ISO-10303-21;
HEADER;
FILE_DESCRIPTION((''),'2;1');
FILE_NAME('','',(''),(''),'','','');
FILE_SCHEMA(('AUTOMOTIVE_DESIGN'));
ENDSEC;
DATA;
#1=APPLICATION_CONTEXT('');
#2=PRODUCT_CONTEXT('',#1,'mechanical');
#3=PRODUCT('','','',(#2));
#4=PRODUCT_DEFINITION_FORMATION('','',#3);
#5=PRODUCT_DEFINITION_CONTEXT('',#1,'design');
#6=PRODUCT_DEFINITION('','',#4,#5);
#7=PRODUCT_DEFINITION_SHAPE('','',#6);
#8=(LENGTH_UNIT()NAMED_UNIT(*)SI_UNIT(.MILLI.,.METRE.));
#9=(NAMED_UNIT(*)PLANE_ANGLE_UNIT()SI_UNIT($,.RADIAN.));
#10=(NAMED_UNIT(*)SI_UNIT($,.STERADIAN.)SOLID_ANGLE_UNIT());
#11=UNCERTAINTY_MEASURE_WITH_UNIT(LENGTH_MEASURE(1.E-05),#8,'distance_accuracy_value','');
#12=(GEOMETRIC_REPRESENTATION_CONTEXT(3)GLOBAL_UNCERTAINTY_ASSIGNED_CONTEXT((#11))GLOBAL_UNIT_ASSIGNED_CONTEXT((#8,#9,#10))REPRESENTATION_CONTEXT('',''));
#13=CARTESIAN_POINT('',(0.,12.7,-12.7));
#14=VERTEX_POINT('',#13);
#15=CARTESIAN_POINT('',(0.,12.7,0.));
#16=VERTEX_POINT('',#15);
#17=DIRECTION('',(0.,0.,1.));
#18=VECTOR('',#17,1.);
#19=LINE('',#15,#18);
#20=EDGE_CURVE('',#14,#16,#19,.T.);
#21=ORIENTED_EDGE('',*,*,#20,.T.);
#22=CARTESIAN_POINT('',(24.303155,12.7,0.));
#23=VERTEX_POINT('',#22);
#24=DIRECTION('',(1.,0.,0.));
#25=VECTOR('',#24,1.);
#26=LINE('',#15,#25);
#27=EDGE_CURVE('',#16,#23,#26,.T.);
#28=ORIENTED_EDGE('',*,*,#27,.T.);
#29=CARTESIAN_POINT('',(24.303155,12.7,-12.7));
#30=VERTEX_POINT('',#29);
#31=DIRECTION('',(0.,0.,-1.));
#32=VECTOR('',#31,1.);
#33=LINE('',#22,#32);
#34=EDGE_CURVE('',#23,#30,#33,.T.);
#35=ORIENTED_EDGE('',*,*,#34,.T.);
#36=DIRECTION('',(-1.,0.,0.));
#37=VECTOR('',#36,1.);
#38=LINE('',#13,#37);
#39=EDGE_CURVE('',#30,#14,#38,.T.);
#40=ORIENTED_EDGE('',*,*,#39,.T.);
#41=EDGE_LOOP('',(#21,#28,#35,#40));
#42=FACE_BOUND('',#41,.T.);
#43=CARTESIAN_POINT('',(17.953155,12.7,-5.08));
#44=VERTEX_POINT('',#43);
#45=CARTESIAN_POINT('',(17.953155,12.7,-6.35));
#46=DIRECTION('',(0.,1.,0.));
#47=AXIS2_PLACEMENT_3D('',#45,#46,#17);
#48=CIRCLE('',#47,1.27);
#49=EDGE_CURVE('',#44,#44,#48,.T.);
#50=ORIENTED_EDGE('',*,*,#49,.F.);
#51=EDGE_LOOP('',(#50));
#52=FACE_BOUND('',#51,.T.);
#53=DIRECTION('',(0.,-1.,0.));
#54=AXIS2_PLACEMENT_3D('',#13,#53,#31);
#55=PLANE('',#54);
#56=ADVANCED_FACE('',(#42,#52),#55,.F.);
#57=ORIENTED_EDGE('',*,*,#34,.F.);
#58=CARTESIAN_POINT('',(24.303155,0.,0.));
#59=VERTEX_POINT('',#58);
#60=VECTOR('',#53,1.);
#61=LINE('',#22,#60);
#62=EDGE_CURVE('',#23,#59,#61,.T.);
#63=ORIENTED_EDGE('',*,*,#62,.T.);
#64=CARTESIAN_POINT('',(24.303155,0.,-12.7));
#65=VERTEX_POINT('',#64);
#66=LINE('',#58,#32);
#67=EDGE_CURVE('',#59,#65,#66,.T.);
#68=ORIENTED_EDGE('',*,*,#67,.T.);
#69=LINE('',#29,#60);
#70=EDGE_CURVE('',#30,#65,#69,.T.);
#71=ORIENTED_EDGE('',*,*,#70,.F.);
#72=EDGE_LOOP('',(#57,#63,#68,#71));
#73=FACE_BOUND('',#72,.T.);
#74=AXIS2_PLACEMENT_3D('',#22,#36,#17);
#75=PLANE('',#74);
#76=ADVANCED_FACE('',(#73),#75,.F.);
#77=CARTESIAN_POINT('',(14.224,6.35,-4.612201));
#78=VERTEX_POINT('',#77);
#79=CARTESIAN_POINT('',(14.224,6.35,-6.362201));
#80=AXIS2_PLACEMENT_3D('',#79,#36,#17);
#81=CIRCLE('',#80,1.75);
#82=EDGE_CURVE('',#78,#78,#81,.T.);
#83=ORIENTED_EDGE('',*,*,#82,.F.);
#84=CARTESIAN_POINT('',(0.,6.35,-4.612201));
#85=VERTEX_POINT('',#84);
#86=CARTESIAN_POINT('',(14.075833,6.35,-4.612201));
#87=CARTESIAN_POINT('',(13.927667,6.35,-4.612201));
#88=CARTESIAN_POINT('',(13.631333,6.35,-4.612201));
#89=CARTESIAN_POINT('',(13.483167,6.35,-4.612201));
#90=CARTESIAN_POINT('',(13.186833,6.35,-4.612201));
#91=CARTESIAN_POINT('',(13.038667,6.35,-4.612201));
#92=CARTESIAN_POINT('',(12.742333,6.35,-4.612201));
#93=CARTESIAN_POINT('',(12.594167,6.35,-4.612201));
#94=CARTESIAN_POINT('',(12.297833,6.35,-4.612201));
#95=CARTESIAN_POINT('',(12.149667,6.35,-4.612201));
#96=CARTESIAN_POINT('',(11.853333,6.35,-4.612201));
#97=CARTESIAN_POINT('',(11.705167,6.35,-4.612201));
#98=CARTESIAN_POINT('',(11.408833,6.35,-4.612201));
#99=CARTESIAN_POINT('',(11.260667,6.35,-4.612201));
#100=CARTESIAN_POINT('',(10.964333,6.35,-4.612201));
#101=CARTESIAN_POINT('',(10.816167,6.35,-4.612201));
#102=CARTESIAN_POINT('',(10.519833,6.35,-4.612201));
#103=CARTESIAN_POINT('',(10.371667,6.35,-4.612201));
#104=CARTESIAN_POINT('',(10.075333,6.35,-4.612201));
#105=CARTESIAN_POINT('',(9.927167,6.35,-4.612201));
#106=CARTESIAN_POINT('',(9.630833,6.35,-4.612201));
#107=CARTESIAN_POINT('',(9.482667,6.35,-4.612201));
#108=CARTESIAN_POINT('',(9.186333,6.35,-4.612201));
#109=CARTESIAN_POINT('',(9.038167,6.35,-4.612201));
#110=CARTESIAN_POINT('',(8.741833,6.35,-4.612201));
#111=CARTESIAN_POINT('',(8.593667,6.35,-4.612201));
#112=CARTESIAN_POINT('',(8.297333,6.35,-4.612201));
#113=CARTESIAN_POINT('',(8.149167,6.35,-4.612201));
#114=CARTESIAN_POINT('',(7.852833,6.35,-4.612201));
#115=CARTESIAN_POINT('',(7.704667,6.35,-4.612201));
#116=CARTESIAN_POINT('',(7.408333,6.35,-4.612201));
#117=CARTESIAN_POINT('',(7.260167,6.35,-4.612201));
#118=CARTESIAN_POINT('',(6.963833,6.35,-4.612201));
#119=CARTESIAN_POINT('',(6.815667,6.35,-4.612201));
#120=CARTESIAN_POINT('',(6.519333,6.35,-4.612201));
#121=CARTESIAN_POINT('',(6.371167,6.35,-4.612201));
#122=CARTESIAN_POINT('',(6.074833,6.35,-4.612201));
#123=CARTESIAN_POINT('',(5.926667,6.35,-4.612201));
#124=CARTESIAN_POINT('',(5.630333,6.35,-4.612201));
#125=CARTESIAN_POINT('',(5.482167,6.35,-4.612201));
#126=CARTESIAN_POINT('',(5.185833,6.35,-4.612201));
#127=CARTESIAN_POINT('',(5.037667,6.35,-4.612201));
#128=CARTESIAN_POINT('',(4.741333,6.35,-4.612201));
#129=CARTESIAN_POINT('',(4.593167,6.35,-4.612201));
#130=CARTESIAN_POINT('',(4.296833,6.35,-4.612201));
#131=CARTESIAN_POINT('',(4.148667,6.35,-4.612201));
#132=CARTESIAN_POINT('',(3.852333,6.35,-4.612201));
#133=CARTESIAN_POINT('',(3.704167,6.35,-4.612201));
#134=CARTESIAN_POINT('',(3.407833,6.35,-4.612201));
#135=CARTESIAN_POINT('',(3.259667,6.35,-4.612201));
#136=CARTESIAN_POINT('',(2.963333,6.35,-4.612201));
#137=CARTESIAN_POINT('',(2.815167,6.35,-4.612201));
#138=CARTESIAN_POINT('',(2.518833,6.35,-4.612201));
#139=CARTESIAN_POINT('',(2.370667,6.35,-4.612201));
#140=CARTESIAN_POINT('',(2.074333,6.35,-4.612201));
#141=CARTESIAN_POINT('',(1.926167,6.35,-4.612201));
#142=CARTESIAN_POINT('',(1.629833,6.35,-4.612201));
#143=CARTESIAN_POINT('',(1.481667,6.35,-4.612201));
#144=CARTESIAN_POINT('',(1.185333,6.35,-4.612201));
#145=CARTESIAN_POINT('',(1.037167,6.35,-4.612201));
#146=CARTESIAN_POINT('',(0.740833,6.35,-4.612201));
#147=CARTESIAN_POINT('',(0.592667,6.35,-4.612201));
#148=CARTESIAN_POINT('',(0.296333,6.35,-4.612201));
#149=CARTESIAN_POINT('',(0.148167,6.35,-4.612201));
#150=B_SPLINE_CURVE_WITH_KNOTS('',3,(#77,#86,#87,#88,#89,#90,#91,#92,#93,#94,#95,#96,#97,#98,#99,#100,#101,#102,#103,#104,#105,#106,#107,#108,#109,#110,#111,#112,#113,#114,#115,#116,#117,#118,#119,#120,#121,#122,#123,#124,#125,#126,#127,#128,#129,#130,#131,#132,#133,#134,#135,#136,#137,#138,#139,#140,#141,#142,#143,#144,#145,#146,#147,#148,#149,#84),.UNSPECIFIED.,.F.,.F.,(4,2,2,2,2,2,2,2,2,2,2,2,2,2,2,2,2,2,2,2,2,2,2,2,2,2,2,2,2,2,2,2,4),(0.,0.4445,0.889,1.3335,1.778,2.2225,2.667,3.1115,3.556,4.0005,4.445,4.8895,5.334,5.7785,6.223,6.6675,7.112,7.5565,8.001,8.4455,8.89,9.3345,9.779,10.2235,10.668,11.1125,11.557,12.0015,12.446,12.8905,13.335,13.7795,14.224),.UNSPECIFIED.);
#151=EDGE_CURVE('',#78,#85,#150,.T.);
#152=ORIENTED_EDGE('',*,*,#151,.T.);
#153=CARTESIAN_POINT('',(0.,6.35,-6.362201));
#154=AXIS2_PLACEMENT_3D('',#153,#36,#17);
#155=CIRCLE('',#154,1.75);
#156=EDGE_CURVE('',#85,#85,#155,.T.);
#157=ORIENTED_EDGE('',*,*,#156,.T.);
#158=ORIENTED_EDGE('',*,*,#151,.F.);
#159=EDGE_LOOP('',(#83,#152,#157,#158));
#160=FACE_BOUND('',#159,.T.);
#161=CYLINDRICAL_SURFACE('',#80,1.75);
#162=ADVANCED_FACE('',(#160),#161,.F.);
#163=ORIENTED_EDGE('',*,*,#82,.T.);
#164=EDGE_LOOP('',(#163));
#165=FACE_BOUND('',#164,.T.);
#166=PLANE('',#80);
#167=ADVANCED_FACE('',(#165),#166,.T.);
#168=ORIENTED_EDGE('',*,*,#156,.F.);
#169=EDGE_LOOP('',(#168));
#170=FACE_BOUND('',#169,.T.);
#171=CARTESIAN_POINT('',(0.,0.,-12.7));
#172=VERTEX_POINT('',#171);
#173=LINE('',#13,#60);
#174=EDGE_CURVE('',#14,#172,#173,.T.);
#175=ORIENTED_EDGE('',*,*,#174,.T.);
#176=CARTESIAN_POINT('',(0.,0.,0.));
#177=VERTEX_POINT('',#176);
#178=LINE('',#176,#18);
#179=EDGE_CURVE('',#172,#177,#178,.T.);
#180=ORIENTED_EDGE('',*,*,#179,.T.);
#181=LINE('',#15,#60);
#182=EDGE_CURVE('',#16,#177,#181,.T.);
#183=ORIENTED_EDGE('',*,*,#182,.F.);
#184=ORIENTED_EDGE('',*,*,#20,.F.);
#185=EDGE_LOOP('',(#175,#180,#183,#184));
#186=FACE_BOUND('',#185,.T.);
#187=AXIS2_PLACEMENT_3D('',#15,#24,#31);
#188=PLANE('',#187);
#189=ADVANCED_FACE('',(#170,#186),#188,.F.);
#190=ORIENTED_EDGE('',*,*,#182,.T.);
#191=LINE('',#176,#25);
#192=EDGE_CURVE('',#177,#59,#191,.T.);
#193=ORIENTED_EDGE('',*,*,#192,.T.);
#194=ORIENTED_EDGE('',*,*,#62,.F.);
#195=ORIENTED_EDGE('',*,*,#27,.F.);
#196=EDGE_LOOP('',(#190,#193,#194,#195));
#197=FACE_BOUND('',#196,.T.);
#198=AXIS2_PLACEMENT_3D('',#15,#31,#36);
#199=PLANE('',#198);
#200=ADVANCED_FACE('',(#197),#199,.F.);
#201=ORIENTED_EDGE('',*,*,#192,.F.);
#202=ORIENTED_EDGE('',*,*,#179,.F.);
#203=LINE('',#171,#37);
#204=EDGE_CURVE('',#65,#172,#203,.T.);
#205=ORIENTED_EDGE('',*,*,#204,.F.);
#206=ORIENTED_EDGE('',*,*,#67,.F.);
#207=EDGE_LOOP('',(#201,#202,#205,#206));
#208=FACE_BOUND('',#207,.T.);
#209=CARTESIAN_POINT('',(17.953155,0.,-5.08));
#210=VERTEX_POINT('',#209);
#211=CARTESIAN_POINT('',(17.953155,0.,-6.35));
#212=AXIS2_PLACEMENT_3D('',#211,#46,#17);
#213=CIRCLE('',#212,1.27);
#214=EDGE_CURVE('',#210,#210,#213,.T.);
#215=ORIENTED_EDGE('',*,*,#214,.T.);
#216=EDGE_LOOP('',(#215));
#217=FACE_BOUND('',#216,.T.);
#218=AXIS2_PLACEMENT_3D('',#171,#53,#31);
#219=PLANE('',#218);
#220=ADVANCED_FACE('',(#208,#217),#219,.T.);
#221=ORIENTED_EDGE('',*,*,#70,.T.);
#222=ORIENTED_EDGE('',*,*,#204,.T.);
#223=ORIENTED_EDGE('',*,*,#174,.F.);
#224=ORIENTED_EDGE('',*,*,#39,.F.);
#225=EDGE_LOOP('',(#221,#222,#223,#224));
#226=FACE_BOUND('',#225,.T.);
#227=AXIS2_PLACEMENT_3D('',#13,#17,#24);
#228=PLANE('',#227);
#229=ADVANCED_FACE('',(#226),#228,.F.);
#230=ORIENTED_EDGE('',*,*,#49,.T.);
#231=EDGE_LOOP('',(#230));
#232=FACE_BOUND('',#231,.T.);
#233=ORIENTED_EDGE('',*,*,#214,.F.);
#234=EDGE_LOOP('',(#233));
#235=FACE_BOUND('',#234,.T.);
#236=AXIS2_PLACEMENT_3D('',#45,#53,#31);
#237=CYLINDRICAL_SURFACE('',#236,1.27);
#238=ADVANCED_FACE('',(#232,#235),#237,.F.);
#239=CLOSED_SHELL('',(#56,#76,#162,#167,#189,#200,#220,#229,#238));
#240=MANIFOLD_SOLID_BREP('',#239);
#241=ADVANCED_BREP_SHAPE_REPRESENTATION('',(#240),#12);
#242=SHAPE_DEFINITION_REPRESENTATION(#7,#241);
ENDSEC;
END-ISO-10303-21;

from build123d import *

# Parameters (mm, degrees)
SKETCH1_W           = 24.303155339
SKETCH1_H           = 12.7
BOSS_EXTRUDE1_DEPTH = 12.7
SKETCH2_R           = 1.75
CUT_EXTRUDE1_DEPTH  = 14.224
SKETCH3_R           = 1.27
CUT_EXTRUDE2_DEPTH  = 31.219585693


with BuildPart() as part:
    # Sketch1 → Boss-Extrude1 (new body)
    with BuildSketch(Plane(origin=(0, 0, 0), x_dir=(1, 0, 0), z_dir=(0, 1, 0))):
        with Locations((12.151577669, 6.35)):
            Rectangle(SKETCH1_W, SKETCH1_H)
    extrude(amount=BOSS_EXTRUDE1_DEPTH)

    # Sketch2 → Cut-Extrude1 (cut)
    with BuildSketch(Plane.ZY):
        with Locations((-6.362201195, 6.35)):
            Circle(SKETCH2_R)
    extrude(amount=-CUT_EXTRUDE1_DEPTH, mode=Mode.SUBTRACT)

    # Sketch3 → Cut-Extrude2 (cut, through all)
    with BuildSketch(Plane(origin=(0, 0, 0), x_dir=(1, 0, 0), z_dir=(0, 1, 0))):
        with Locations(Location((17.953155339, 6.35, 0), (0, 0, 270))):
            Circle(SKETCH3_R)
    extrude(amount=CUT_EXTRUDE2_DEPTH, mode=Mode.SUBTRACT)


solid = part.part
